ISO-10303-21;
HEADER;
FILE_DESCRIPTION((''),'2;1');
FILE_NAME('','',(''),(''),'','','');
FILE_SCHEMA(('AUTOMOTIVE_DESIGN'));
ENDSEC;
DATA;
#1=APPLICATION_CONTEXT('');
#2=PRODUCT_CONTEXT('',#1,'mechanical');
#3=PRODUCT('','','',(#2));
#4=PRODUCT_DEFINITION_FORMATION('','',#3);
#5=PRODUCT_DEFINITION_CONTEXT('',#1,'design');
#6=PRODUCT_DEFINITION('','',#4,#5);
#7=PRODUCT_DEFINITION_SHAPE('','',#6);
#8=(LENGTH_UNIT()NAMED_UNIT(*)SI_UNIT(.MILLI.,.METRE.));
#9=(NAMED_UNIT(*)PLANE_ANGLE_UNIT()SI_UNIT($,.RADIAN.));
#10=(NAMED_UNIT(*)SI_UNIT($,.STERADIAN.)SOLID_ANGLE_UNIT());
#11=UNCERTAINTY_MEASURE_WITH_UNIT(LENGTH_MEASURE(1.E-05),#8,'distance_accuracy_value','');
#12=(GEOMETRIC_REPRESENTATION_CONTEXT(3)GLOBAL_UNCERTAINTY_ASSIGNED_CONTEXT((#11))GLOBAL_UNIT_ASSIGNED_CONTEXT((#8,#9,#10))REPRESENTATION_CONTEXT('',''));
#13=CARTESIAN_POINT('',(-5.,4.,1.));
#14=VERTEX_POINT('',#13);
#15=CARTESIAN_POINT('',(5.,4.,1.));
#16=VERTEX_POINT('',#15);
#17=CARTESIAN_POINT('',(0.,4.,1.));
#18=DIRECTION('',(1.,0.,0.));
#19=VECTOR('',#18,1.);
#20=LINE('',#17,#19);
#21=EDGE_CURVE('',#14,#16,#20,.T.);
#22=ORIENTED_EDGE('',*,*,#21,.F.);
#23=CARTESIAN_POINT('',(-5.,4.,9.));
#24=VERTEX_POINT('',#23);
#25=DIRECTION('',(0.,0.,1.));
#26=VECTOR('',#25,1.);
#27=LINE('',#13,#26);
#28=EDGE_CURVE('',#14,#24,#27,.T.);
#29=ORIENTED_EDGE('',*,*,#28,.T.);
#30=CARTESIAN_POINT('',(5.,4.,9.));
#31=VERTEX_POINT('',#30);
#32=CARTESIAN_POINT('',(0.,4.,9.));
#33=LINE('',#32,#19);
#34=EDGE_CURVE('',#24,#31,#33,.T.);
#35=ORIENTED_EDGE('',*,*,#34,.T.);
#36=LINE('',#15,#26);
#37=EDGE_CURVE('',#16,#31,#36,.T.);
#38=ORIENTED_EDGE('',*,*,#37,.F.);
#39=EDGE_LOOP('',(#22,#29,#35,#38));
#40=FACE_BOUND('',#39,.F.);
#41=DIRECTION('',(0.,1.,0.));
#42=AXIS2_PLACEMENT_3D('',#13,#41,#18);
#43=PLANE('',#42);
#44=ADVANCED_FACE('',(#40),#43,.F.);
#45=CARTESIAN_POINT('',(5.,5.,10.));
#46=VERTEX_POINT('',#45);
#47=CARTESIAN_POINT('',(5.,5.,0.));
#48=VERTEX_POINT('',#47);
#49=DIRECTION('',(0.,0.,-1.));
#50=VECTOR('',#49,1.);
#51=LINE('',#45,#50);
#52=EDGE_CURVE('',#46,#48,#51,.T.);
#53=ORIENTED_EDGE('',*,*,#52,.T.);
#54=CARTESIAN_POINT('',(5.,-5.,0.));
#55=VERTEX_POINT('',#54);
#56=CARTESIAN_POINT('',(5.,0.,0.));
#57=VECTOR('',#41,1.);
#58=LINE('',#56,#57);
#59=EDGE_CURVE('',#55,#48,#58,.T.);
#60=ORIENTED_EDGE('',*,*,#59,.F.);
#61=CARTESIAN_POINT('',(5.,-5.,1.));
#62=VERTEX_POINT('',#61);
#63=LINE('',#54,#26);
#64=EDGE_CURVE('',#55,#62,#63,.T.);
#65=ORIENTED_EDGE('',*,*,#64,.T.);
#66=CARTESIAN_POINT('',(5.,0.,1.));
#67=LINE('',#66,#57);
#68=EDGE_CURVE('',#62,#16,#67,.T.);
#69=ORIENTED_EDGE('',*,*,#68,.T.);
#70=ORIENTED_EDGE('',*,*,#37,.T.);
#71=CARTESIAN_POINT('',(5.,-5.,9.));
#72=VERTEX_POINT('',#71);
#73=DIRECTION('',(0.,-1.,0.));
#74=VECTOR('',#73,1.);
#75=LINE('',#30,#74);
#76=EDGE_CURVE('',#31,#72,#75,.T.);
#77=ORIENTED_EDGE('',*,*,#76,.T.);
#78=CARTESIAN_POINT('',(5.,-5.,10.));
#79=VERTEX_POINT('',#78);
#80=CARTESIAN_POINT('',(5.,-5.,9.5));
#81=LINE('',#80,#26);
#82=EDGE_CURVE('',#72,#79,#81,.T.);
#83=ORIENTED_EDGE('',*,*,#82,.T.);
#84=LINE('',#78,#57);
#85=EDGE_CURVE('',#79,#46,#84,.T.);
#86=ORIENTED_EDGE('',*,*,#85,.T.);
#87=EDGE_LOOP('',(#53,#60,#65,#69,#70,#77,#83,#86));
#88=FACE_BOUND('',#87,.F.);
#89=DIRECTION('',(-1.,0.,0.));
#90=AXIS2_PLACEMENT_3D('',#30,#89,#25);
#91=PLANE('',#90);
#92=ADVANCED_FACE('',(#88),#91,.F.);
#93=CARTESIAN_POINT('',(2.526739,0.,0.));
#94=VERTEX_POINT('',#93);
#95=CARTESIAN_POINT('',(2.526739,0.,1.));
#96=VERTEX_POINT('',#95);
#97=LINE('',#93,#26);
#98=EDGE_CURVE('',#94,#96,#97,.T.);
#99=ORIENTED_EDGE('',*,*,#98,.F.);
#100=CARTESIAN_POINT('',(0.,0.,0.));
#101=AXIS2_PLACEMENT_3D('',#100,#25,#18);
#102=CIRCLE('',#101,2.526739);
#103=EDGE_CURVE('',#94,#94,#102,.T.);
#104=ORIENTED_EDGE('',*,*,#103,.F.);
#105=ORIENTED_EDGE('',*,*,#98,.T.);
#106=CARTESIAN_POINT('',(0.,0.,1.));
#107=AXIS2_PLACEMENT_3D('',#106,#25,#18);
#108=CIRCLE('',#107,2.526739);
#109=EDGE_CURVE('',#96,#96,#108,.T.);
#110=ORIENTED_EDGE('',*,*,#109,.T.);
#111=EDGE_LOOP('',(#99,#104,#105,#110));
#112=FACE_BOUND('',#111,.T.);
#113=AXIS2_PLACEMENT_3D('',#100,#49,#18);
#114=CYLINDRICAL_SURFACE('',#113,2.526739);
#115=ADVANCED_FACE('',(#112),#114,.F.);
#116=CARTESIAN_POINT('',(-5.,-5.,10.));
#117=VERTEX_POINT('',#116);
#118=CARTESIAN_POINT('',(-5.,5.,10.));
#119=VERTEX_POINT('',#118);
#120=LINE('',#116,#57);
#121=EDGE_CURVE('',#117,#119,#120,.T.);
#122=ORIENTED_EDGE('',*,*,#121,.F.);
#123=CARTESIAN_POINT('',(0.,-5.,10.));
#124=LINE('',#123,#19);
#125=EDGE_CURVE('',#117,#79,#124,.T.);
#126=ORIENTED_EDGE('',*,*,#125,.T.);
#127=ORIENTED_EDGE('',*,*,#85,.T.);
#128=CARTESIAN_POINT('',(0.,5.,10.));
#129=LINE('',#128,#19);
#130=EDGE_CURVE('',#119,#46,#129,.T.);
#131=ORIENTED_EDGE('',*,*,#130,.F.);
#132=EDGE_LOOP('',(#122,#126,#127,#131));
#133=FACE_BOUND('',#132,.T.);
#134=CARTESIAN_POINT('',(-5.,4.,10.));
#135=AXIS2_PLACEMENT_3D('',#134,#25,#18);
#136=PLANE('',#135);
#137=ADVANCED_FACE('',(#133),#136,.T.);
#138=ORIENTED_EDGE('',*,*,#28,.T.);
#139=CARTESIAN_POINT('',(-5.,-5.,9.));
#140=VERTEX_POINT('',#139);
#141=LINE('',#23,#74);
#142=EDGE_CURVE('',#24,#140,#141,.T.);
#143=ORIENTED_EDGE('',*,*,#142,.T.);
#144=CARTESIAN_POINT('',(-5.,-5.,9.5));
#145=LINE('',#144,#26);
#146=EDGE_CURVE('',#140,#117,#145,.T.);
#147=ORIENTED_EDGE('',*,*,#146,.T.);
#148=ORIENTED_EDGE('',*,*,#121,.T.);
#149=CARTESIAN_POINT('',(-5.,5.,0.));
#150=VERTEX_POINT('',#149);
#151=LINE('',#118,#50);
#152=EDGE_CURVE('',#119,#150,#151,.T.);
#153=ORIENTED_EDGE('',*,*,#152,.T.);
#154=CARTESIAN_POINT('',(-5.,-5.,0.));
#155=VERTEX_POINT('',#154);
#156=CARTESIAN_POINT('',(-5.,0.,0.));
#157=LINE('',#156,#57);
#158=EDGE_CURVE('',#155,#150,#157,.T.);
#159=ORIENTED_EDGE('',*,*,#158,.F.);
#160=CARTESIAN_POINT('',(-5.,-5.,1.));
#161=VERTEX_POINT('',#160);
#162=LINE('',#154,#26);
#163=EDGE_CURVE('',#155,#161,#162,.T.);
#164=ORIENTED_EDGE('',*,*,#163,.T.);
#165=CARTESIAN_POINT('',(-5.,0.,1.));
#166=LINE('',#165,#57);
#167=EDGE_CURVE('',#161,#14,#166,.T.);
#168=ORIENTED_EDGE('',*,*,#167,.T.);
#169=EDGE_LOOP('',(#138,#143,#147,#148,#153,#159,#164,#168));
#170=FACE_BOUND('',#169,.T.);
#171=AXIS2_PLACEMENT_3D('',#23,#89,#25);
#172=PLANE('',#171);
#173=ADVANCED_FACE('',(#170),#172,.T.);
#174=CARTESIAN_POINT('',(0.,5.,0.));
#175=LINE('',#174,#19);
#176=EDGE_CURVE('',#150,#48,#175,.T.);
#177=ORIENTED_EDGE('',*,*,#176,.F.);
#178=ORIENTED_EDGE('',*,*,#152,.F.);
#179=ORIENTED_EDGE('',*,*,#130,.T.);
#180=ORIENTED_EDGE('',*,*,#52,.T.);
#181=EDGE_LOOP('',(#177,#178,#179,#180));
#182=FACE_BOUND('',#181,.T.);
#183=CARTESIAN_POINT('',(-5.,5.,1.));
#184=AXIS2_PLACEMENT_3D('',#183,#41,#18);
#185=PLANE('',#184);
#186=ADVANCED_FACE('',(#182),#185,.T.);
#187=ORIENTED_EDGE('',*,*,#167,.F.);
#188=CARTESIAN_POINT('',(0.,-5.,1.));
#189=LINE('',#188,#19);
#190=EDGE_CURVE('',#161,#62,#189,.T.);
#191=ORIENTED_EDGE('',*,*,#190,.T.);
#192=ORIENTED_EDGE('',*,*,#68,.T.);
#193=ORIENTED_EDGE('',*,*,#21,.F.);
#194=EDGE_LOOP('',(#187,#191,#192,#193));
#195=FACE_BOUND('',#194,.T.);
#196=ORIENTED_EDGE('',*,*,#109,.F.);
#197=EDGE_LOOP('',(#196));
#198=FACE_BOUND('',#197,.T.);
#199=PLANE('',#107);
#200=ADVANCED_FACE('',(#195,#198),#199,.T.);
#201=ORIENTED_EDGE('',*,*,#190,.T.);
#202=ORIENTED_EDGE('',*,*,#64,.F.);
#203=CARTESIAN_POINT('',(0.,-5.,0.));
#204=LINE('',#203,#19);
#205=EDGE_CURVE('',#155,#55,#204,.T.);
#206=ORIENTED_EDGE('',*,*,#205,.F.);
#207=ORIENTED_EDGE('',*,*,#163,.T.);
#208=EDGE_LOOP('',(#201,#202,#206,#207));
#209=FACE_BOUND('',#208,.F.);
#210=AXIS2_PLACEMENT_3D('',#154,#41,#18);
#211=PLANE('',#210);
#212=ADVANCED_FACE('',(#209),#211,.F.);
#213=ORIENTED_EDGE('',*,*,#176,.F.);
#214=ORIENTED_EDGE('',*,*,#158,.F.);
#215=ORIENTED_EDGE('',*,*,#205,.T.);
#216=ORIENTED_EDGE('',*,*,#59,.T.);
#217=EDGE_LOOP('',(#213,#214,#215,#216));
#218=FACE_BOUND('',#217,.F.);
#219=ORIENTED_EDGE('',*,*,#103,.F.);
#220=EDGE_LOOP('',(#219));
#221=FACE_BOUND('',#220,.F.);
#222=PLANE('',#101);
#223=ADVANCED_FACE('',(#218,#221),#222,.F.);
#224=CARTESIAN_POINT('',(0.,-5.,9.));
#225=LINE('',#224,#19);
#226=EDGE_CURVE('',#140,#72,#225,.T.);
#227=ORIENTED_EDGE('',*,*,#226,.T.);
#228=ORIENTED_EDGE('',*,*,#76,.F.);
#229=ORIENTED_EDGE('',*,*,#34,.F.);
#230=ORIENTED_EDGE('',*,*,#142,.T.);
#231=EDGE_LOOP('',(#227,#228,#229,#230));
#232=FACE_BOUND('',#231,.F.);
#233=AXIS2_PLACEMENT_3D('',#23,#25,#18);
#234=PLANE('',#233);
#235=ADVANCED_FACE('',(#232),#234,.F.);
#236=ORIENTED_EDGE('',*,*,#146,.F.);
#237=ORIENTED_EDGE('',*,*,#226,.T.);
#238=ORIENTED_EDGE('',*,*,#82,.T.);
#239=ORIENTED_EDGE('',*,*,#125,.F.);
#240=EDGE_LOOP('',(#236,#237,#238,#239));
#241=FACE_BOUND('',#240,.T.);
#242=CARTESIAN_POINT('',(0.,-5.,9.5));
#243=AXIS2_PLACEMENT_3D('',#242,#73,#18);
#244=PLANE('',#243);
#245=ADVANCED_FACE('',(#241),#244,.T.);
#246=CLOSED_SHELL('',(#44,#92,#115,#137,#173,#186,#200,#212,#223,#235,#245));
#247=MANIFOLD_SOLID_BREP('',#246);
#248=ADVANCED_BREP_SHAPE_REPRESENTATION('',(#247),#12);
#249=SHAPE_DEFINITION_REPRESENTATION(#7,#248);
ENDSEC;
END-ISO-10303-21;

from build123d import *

# Parameters (mm, degrees)
F0_W     = 10
F0_H     = 10
F0_R     = 2.526739
F1_DEPTH = 1
F2_W     = 10
F2_H     = 1
F3_DEPTH = 9
F4_W     = 10
F4_H     = 1
F5_DEPTH = 9


with BuildPart() as f1:
    # F0 (on Top) → F1 (new body)
    with BuildSketch(Plane.XY):
        Rectangle(F0_W, F0_H)
        Circle(F0_R, mode=Mode.SUBTRACT)
    extrude(amount=F1_DEPTH)

    # F2 (on face) → F3 (join)
    with BuildSketch(Plane.XY.offset(1)):
        with Locations((0, 4.5)):
            Rectangle(F2_W, F2_H)
    extrude(amount=F3_DEPTH)

    # F4 (on face) → F5 (join)
    with BuildSketch(Plane.XZ.offset(-4)):
        with Locations((0, 9.5)):
            Rectangle(F4_W, F4_H)
    extrude(amount=F5_DEPTH)


solid = f1.part
